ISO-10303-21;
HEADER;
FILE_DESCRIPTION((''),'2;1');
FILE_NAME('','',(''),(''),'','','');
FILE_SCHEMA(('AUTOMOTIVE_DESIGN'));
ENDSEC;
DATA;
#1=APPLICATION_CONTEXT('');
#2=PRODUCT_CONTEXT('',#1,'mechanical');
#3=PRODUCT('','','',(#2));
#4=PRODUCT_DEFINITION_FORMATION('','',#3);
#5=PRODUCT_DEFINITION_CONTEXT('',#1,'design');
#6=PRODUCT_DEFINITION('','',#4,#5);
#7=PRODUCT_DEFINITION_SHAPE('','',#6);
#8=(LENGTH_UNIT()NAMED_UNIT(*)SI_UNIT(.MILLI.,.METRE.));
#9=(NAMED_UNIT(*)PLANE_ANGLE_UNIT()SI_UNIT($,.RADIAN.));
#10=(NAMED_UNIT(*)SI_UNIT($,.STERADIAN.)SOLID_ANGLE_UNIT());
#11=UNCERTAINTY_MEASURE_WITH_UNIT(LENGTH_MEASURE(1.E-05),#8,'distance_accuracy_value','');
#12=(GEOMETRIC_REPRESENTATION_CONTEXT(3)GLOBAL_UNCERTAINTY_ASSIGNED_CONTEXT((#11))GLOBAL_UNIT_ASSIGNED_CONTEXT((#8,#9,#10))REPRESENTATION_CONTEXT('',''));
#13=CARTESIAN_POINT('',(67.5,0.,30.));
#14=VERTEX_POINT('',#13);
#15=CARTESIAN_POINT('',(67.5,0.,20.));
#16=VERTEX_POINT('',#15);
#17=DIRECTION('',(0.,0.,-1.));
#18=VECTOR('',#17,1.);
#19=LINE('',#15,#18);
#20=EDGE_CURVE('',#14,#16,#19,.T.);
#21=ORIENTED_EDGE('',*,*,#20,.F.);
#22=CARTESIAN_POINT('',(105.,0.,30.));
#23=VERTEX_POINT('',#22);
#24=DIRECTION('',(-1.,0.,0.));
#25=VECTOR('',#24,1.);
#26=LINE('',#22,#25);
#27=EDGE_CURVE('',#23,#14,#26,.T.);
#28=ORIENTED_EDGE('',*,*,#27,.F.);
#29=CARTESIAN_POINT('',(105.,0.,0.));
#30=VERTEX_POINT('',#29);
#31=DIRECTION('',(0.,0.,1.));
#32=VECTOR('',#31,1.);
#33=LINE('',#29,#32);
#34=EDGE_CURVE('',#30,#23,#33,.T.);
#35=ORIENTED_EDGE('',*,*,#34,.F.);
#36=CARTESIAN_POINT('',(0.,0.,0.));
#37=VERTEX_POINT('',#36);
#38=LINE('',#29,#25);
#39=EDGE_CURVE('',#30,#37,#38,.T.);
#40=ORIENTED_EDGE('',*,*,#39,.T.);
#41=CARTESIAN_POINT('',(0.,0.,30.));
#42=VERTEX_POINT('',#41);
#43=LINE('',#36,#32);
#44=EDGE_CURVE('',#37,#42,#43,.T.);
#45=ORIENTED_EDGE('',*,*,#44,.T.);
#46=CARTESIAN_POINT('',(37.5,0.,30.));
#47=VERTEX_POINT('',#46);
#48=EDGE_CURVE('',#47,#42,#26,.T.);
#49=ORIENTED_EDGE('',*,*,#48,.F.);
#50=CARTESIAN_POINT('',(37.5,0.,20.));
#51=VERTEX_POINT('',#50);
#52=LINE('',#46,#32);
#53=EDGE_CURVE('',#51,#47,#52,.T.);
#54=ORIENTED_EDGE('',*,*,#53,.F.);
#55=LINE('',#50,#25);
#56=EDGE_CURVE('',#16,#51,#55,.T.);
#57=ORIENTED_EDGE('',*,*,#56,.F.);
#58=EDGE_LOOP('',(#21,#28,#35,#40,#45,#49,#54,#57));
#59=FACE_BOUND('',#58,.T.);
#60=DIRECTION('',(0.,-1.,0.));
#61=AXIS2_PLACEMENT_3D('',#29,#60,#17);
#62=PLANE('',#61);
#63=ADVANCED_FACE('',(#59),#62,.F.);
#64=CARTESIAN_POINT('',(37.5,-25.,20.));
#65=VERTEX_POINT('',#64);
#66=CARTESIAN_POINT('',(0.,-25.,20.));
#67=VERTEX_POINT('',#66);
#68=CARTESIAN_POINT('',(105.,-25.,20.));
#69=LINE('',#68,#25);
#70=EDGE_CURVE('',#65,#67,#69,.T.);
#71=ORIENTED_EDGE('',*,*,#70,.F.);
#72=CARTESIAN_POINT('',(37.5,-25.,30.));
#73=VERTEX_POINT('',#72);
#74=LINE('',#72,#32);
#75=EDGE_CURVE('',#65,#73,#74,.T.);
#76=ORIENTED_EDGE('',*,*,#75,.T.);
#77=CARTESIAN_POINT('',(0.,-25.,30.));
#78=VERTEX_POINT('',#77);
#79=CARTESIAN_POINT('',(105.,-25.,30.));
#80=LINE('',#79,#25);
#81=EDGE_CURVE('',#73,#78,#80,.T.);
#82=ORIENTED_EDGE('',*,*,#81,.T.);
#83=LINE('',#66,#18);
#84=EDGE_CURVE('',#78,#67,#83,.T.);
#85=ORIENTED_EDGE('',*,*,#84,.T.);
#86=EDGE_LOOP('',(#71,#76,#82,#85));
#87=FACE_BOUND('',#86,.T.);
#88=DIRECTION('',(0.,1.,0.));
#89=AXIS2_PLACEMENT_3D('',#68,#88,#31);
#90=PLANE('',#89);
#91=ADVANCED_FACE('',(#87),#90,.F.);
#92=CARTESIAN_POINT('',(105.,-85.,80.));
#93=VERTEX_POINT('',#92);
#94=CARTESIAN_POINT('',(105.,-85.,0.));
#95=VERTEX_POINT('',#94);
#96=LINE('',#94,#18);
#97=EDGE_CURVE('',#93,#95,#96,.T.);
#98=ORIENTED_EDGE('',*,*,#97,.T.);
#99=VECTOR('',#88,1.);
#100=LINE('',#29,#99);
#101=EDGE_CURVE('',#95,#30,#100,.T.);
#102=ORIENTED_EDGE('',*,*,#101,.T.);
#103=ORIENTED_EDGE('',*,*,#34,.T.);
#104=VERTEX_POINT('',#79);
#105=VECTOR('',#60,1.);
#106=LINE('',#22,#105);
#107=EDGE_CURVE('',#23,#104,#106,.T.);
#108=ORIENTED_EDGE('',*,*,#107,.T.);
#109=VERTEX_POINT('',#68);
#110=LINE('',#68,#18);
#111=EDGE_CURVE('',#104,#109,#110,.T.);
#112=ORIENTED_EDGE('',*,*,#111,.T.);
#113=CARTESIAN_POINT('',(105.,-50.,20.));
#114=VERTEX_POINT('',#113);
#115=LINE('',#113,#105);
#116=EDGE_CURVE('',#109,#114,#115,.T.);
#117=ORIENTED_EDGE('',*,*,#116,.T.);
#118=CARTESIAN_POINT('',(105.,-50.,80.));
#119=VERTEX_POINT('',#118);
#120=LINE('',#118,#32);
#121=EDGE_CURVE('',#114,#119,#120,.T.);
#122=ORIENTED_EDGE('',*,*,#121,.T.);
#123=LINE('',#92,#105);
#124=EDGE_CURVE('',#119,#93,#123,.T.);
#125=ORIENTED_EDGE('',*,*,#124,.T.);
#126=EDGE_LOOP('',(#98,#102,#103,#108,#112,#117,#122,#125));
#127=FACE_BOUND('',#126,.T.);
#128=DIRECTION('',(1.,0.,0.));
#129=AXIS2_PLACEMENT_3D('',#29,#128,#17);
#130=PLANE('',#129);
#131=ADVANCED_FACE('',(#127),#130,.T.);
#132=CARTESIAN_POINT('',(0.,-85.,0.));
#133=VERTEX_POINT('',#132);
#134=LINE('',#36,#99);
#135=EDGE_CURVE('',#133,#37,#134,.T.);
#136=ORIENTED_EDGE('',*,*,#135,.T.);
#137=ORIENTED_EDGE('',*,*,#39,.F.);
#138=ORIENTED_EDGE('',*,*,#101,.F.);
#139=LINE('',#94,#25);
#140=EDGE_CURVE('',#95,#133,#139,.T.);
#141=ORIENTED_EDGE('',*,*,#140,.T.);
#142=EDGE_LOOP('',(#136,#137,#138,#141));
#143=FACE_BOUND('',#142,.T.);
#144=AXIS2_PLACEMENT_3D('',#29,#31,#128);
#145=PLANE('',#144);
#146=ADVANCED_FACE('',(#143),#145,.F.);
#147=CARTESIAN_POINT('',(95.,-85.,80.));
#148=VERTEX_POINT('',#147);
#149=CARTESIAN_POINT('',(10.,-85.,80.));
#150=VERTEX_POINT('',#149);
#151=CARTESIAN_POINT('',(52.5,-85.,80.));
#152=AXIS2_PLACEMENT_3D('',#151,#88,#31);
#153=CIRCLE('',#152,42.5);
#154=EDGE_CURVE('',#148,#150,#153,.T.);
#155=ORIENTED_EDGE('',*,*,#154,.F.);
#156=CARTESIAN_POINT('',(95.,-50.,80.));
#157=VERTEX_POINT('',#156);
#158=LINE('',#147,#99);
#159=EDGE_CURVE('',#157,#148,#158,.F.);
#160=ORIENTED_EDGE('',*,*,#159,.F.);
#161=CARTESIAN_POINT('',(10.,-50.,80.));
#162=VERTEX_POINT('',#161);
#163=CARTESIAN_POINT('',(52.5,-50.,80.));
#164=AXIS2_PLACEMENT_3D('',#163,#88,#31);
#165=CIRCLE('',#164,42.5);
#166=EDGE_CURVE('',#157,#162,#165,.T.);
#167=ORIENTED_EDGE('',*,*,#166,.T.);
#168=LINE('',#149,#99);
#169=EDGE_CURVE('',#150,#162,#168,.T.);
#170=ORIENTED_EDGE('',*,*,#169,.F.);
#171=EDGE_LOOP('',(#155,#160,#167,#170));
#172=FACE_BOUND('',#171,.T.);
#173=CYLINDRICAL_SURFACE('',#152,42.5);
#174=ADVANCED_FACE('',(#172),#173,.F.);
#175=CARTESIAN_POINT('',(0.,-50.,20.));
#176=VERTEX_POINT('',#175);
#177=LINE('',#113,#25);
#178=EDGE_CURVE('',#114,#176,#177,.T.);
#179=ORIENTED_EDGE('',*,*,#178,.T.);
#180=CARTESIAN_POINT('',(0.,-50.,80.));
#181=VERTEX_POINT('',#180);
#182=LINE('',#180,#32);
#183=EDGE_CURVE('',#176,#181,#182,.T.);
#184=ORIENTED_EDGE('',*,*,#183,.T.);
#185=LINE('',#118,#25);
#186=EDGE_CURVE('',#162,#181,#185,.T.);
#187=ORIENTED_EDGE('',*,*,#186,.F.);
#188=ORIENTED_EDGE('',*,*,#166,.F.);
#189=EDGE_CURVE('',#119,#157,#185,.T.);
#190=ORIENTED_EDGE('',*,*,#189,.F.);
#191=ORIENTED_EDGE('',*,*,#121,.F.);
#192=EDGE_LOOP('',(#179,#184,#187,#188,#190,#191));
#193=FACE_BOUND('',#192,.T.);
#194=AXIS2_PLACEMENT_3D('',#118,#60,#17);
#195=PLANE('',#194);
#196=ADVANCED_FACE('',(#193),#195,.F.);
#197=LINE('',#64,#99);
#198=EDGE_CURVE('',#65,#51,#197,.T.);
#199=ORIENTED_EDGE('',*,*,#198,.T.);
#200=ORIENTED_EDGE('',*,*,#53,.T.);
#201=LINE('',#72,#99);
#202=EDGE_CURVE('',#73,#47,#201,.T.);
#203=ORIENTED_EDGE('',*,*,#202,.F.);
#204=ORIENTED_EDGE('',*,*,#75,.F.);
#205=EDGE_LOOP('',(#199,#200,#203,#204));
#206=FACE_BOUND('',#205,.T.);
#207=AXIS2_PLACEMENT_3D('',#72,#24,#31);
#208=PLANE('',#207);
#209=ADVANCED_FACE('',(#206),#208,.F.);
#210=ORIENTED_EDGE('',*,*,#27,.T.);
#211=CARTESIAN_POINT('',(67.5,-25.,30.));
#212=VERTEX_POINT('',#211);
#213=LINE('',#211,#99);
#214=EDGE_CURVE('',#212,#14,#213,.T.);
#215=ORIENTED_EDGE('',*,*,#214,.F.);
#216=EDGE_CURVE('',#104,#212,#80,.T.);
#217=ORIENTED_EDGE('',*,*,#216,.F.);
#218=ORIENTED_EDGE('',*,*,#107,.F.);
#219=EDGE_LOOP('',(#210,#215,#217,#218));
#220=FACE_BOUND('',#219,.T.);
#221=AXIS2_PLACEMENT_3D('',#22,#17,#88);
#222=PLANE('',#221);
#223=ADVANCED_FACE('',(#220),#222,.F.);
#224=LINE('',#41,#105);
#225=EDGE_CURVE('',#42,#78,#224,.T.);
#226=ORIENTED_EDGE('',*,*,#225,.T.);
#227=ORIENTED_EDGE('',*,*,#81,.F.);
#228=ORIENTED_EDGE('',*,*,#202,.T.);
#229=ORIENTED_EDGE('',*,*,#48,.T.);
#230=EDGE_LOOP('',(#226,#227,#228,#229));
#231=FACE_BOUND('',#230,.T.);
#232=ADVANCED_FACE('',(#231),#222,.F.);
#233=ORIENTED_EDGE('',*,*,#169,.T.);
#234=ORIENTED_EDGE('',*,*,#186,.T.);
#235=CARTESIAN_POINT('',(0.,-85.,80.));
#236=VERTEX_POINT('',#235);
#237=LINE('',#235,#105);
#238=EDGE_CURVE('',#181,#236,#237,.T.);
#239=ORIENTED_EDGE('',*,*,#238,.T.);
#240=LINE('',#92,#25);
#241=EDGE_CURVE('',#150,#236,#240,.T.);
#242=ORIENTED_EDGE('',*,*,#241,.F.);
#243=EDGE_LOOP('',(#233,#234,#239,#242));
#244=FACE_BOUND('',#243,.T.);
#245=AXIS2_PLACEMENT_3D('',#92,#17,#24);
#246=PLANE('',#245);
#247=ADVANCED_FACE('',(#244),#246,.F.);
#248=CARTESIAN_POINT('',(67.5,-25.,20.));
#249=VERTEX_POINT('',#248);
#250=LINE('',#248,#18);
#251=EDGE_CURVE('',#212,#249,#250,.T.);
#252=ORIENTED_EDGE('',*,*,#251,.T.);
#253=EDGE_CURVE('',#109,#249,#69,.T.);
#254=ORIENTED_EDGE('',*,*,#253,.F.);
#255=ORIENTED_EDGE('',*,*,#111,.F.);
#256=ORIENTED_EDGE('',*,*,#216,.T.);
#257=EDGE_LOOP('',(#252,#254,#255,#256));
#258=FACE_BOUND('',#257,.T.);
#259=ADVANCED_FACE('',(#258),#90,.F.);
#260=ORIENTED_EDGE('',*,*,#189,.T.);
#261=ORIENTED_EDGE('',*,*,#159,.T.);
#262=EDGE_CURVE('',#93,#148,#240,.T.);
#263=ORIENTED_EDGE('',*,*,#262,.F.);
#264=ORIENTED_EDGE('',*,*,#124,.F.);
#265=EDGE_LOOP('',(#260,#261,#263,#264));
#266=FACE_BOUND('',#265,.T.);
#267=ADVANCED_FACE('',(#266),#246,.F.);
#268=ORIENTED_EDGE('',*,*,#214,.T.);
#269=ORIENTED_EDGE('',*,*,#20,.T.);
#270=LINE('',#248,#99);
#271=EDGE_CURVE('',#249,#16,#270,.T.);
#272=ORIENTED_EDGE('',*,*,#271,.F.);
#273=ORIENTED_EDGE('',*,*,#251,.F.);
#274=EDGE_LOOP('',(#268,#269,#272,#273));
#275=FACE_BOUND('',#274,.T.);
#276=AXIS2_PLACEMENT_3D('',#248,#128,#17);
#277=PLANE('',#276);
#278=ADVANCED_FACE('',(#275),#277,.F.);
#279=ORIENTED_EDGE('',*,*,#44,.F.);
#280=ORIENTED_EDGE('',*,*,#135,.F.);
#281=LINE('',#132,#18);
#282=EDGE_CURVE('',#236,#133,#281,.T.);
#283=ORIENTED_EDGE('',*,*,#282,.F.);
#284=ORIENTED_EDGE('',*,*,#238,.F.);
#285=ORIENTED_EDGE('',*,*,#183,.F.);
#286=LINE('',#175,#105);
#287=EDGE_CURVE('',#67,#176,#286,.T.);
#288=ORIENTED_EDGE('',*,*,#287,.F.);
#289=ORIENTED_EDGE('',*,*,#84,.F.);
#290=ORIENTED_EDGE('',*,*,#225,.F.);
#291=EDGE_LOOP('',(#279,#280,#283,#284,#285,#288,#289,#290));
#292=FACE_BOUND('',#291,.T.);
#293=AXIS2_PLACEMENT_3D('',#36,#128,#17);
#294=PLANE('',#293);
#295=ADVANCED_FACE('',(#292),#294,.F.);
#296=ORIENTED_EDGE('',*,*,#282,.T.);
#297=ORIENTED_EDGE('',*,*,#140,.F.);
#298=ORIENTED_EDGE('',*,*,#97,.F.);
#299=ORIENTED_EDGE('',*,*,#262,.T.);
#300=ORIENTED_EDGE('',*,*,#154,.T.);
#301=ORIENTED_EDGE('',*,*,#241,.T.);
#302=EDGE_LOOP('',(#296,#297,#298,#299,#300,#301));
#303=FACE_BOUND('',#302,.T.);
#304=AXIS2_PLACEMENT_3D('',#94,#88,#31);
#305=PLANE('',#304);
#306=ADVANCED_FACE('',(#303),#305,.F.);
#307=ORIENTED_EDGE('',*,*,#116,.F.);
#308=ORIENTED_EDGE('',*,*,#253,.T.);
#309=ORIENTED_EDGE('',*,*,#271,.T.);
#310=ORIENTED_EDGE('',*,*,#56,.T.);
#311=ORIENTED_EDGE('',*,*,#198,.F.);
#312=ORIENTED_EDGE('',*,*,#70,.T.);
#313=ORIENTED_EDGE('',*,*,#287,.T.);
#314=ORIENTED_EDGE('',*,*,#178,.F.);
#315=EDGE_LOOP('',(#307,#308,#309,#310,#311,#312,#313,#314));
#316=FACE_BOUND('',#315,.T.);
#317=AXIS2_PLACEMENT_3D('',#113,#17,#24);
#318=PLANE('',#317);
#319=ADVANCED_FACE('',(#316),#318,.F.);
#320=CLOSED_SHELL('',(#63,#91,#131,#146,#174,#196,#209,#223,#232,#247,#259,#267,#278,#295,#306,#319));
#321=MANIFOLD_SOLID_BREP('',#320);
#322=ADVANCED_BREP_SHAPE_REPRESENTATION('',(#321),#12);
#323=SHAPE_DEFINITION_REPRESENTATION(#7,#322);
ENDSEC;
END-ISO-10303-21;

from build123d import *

# Parameters (mm, degrees)
EXTRUDE_1_DEPTH     = 105
SKETCH_23_W         = 30
SKETCH_23_H         = 10
CUT_EXTRUDE_1_DEPTH = 25
SKETCH_24_R         = 42.5
CUT_EXTRUDE_3_DEPTH = 35


with BuildPart() as part:
    # Эскиз2 → Бобышка-Вытянуть1 (new body)
    with BuildSketch(Plane(origin=(0, 0, 0), x_dir=(0, 0, -1), z_dir=(1, 0, 0))):
        Polygon((0, 0), (0, -85), (-80, -85), (-80, -50), (-20, -50), (-20, -25), (-30, -25), (-30, 0), align=None)
    extrude(amount=EXTRUDE_1_DEPTH)

    # Эскиз23 → Вырез-Вытянуть1 (cut)
    with BuildSketch(Plane(origin=(0, 0, 0), x_dir=(1, 0, 0), z_dir=(0, 1, 0))):
        with Locations((52.5, -25)):
            Rectangle(SKETCH_23_W, SKETCH_23_H)
    extrude(amount=-CUT_EXTRUDE_1_DEPTH, mode=Mode.SUBTRACT)

    # Эскиз24 → Вырез-Вытянуть3 (cut)
    with BuildSketch(Plane(origin=(0, -50, 0), x_dir=(1, 0, 0), z_dir=(0, 1, 0))):
        with Locations((52.5, -80)):
            Circle(SKETCH_24_R)
    extrude(amount=-CUT_EXTRUDE_3_DEPTH, mode=Mode.SUBTRACT)


solid = part.part
